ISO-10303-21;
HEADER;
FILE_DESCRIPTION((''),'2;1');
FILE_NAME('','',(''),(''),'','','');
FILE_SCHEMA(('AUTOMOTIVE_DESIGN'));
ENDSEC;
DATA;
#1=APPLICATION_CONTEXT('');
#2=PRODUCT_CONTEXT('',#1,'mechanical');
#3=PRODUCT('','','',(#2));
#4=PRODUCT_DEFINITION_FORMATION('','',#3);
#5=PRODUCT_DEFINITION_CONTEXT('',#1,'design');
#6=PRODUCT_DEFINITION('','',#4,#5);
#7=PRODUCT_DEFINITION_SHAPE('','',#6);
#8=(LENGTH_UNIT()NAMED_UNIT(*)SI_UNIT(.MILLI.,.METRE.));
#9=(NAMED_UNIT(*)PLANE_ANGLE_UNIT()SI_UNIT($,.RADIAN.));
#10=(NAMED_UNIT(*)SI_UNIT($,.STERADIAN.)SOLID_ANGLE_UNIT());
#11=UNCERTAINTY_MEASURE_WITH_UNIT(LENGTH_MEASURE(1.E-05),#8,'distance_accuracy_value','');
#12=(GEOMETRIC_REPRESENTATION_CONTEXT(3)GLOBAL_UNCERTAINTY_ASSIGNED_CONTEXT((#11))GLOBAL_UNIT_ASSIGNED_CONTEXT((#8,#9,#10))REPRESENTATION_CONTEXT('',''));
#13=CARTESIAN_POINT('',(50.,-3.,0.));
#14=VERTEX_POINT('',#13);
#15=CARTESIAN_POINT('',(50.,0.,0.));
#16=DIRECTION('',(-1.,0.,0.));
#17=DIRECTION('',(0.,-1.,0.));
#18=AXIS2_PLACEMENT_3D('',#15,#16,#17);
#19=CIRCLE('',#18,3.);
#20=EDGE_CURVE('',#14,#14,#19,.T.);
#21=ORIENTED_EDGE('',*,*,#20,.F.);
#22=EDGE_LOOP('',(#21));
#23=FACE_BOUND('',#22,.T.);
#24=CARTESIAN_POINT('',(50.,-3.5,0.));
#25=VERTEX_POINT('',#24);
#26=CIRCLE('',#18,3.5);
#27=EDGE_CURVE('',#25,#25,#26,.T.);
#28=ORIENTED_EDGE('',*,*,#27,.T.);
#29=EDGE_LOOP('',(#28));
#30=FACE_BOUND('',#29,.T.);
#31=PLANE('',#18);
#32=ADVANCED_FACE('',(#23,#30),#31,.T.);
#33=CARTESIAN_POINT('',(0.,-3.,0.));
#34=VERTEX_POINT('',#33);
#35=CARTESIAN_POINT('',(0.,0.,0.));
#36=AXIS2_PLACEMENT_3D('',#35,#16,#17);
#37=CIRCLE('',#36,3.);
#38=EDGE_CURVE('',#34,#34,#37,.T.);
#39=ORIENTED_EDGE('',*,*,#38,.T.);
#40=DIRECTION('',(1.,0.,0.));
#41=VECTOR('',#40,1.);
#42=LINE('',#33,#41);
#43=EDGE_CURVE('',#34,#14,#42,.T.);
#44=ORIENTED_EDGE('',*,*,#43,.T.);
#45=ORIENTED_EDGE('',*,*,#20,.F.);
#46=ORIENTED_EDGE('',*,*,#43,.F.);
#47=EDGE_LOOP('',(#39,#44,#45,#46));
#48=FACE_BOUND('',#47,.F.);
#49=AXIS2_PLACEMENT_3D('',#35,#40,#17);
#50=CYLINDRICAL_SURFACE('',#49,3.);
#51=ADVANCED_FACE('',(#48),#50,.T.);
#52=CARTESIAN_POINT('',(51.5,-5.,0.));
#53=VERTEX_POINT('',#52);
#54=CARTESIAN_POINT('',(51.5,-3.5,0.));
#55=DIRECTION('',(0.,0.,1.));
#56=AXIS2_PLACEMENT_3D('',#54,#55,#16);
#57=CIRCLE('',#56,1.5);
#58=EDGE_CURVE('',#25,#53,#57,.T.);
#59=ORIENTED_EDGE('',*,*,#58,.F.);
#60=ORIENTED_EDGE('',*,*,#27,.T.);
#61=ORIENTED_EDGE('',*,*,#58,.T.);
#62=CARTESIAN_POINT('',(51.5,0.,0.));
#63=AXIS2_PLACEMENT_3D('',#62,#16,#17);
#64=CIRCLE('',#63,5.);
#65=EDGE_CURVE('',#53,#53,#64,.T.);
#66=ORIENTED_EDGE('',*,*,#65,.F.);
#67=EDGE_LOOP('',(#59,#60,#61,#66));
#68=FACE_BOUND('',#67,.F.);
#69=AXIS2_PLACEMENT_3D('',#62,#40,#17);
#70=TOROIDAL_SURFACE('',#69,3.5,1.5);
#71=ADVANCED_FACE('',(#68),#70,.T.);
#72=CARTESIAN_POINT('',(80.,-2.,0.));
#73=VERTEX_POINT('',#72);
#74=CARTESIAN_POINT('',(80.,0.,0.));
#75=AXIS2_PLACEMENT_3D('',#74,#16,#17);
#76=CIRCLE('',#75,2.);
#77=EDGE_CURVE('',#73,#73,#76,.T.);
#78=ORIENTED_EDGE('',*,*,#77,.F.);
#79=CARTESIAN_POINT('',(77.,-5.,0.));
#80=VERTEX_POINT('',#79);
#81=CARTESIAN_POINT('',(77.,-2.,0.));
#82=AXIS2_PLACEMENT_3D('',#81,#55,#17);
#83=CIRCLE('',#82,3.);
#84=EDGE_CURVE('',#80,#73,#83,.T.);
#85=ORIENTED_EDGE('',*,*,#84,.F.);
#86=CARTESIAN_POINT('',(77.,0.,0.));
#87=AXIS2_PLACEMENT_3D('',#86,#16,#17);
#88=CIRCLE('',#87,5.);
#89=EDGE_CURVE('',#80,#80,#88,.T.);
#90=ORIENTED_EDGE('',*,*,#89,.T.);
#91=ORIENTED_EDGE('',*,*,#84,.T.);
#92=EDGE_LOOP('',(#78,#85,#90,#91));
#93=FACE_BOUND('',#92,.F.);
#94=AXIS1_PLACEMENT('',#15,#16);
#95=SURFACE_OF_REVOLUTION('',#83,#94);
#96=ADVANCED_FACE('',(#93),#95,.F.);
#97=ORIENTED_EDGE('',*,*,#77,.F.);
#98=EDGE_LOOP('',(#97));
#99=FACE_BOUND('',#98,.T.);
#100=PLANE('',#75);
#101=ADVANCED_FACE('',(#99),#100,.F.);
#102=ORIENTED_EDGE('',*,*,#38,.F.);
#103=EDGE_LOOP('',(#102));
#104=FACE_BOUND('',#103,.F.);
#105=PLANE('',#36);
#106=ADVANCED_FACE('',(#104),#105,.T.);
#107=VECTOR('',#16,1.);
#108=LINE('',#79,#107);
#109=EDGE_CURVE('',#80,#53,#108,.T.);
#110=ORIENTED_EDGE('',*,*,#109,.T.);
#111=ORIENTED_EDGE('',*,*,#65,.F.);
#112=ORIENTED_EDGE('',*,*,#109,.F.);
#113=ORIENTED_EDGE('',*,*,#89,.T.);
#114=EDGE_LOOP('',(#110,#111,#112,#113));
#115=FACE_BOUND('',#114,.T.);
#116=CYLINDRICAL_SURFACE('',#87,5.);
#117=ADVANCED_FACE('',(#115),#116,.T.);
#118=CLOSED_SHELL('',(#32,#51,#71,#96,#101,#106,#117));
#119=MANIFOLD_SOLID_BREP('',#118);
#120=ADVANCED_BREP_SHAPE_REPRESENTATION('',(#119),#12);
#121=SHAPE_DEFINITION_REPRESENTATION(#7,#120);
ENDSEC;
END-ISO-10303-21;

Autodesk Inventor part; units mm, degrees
ref_plane "YZ Plane" through (0, 0, 0) normal (1, 0, 0) x (0, 1, 0)
ref_plane "XZ Plane" through (0, 0, 0) normal (0, 1, 0) x (-1, 0, 0)
ref_plane "XY Plane" through (0, 0, 0) normal (0, 0, 1) x (1, 0, 0)
sketch "Náčrt1" plane through (0, 0, 0) normal (0, 0, 1) x (1, 0, 0)
  line L0 (0, 0) -> (0, -3)
  line L1 (0, -3) -> (50, -3)
  line L2 (50, -3) -> (50, 0)
  line L3 (50, 0) -> (80, 0)
  line L4 (80, 0) -> (80, -2)
  line L5 (77, -5) -> (51.5, -5)
  line L6 (50, -3.5) -> (50, -3)
  arc A0 (50, -3.5) -> (51.5, -5) centre (51.5, -3.5) ccw
  arc A1 (77, -5) -> (80, -2) centre (77, -2) ccw
  line L7 (50, 0) -> (0, 0)
  point P0 (80, -5)
  point P1 (50, -5)
  dimension "d0" = 3
  dimension "d1" = 50
  dimension "d2" = 30
  dimension "d3" = 5
  dimension "d4" = 1.5
  dimension "d5" = 3
revolve "Rotace1" add sketch "Náčrt1" angle 360 about axis through (50, 0, 0) along (-1, 0, 0)
properties part number "součást 3"
